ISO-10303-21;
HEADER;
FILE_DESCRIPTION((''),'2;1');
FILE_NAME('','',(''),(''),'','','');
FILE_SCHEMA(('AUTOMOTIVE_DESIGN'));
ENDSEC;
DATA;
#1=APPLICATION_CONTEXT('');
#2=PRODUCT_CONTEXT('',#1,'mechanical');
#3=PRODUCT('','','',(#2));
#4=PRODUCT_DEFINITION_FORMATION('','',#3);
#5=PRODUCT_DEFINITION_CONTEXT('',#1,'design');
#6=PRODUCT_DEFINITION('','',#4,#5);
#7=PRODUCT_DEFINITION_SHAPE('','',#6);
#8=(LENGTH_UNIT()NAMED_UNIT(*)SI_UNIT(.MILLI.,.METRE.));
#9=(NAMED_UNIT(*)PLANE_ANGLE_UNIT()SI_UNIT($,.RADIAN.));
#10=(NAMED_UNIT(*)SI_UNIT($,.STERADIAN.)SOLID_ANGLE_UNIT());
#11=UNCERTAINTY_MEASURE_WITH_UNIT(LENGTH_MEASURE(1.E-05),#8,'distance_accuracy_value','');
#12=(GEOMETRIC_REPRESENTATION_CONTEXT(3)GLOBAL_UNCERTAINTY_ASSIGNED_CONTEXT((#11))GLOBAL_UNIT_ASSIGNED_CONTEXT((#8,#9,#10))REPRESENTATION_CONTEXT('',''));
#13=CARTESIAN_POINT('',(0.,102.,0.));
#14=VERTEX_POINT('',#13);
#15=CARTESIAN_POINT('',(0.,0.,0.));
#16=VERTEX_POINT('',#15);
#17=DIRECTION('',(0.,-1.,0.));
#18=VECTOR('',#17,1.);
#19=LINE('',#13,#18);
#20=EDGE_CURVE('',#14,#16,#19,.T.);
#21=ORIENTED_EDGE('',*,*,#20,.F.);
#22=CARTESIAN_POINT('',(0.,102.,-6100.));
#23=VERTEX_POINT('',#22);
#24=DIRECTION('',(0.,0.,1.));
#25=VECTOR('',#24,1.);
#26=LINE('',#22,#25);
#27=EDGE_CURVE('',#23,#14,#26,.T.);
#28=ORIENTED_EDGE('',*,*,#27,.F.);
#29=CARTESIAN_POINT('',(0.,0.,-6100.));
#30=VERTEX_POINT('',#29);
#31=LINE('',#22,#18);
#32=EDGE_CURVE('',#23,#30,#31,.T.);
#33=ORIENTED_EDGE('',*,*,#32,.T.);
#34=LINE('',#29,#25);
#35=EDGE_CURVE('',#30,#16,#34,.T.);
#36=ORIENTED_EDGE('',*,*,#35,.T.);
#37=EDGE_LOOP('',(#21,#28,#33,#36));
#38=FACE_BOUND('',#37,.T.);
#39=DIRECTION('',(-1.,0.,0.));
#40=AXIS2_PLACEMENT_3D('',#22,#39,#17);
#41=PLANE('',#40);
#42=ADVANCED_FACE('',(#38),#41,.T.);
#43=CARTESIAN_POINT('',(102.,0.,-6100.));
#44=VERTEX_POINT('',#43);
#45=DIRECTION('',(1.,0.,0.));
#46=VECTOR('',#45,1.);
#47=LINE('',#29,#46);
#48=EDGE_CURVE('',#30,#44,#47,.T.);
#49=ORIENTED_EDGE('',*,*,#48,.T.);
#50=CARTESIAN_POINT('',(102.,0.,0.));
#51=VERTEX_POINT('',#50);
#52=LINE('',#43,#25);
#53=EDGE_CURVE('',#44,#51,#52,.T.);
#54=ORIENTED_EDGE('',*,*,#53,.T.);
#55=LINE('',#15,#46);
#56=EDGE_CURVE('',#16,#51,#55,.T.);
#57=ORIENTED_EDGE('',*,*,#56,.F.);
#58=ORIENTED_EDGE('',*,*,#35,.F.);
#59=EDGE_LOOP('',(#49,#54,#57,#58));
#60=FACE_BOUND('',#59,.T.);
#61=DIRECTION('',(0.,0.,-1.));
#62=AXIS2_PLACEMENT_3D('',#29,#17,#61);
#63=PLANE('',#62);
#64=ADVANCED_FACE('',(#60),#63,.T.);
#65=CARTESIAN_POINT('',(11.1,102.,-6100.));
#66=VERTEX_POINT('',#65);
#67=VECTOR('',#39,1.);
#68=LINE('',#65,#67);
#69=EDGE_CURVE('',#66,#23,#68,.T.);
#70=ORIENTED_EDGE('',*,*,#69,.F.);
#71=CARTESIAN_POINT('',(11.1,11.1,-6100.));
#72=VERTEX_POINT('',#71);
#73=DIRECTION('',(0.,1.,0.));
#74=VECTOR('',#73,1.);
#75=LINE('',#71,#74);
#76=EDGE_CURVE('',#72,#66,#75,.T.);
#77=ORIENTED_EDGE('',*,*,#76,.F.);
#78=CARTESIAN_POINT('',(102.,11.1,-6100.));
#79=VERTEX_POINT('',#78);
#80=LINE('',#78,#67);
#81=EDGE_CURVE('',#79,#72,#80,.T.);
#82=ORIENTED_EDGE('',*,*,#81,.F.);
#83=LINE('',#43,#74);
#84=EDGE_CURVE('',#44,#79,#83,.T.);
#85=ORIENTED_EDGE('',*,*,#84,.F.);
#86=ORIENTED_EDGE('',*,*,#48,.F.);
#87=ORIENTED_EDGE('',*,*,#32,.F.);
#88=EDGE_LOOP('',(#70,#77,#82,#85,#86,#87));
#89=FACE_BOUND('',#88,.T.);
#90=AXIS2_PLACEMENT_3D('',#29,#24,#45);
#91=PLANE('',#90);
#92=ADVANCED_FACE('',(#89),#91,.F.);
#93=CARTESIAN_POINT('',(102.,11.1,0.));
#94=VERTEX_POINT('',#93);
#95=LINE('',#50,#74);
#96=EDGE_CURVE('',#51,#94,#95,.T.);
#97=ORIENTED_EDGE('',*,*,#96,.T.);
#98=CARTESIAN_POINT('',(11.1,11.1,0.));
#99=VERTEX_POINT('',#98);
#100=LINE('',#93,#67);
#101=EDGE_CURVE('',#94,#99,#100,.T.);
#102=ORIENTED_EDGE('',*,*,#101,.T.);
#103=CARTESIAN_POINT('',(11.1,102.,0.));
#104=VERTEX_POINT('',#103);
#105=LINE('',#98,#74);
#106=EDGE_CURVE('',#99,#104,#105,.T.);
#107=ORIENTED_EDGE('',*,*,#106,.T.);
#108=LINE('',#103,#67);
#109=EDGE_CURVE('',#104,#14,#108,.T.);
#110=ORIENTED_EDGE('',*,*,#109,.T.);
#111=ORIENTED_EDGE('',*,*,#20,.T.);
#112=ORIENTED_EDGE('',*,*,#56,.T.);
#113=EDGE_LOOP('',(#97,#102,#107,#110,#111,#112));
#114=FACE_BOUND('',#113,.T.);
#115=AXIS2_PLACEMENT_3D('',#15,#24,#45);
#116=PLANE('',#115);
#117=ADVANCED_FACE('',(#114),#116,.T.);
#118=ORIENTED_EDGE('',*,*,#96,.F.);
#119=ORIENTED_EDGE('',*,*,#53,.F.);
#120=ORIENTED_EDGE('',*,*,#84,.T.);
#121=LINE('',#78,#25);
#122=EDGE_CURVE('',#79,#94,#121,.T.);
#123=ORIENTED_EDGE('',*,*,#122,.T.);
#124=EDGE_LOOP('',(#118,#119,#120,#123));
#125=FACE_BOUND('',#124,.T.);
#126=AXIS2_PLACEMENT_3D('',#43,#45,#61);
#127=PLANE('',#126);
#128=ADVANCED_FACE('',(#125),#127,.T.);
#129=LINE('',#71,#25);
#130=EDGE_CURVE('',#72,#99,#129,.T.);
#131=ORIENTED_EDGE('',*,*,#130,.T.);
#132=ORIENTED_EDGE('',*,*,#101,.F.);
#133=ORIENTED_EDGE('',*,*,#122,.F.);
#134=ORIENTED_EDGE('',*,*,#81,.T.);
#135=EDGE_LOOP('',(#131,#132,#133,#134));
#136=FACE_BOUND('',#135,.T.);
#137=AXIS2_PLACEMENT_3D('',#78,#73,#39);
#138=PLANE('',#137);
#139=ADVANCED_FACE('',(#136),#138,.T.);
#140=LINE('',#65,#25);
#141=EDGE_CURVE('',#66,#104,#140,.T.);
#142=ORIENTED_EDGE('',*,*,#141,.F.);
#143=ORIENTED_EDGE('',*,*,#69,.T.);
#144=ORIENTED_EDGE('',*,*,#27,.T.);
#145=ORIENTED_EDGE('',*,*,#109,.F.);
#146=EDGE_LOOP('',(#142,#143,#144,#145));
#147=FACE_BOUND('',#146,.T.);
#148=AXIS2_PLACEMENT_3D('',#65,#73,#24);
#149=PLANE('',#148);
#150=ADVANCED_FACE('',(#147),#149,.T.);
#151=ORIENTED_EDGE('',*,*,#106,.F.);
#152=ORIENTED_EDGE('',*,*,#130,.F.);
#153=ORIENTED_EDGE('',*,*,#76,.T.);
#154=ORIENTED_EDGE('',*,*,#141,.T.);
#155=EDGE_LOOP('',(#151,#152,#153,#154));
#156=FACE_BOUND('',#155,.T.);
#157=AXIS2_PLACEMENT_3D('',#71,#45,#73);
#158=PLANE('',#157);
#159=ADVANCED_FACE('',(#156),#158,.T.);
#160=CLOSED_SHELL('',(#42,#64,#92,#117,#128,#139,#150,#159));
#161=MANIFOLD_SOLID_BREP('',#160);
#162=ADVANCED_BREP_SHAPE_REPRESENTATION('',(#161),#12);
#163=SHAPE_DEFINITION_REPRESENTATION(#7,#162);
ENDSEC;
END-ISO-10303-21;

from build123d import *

# Parameters (mm, degrees)
SALIENTE_EXTRUIR1_DEPTH = 6100


with BuildPart() as part:
    # Croquis1 → Saliente-Extruir1 (new body)
    with BuildSketch(Plane.XY):
        Polygon((0, 102), (0, 0), (102, 0), (102, 11.1), (11.1, 11.1), (11.1, 102), align=None)
    extrude(amount=-SALIENTE_EXTRUIR1_DEPTH)


solid = part.part
